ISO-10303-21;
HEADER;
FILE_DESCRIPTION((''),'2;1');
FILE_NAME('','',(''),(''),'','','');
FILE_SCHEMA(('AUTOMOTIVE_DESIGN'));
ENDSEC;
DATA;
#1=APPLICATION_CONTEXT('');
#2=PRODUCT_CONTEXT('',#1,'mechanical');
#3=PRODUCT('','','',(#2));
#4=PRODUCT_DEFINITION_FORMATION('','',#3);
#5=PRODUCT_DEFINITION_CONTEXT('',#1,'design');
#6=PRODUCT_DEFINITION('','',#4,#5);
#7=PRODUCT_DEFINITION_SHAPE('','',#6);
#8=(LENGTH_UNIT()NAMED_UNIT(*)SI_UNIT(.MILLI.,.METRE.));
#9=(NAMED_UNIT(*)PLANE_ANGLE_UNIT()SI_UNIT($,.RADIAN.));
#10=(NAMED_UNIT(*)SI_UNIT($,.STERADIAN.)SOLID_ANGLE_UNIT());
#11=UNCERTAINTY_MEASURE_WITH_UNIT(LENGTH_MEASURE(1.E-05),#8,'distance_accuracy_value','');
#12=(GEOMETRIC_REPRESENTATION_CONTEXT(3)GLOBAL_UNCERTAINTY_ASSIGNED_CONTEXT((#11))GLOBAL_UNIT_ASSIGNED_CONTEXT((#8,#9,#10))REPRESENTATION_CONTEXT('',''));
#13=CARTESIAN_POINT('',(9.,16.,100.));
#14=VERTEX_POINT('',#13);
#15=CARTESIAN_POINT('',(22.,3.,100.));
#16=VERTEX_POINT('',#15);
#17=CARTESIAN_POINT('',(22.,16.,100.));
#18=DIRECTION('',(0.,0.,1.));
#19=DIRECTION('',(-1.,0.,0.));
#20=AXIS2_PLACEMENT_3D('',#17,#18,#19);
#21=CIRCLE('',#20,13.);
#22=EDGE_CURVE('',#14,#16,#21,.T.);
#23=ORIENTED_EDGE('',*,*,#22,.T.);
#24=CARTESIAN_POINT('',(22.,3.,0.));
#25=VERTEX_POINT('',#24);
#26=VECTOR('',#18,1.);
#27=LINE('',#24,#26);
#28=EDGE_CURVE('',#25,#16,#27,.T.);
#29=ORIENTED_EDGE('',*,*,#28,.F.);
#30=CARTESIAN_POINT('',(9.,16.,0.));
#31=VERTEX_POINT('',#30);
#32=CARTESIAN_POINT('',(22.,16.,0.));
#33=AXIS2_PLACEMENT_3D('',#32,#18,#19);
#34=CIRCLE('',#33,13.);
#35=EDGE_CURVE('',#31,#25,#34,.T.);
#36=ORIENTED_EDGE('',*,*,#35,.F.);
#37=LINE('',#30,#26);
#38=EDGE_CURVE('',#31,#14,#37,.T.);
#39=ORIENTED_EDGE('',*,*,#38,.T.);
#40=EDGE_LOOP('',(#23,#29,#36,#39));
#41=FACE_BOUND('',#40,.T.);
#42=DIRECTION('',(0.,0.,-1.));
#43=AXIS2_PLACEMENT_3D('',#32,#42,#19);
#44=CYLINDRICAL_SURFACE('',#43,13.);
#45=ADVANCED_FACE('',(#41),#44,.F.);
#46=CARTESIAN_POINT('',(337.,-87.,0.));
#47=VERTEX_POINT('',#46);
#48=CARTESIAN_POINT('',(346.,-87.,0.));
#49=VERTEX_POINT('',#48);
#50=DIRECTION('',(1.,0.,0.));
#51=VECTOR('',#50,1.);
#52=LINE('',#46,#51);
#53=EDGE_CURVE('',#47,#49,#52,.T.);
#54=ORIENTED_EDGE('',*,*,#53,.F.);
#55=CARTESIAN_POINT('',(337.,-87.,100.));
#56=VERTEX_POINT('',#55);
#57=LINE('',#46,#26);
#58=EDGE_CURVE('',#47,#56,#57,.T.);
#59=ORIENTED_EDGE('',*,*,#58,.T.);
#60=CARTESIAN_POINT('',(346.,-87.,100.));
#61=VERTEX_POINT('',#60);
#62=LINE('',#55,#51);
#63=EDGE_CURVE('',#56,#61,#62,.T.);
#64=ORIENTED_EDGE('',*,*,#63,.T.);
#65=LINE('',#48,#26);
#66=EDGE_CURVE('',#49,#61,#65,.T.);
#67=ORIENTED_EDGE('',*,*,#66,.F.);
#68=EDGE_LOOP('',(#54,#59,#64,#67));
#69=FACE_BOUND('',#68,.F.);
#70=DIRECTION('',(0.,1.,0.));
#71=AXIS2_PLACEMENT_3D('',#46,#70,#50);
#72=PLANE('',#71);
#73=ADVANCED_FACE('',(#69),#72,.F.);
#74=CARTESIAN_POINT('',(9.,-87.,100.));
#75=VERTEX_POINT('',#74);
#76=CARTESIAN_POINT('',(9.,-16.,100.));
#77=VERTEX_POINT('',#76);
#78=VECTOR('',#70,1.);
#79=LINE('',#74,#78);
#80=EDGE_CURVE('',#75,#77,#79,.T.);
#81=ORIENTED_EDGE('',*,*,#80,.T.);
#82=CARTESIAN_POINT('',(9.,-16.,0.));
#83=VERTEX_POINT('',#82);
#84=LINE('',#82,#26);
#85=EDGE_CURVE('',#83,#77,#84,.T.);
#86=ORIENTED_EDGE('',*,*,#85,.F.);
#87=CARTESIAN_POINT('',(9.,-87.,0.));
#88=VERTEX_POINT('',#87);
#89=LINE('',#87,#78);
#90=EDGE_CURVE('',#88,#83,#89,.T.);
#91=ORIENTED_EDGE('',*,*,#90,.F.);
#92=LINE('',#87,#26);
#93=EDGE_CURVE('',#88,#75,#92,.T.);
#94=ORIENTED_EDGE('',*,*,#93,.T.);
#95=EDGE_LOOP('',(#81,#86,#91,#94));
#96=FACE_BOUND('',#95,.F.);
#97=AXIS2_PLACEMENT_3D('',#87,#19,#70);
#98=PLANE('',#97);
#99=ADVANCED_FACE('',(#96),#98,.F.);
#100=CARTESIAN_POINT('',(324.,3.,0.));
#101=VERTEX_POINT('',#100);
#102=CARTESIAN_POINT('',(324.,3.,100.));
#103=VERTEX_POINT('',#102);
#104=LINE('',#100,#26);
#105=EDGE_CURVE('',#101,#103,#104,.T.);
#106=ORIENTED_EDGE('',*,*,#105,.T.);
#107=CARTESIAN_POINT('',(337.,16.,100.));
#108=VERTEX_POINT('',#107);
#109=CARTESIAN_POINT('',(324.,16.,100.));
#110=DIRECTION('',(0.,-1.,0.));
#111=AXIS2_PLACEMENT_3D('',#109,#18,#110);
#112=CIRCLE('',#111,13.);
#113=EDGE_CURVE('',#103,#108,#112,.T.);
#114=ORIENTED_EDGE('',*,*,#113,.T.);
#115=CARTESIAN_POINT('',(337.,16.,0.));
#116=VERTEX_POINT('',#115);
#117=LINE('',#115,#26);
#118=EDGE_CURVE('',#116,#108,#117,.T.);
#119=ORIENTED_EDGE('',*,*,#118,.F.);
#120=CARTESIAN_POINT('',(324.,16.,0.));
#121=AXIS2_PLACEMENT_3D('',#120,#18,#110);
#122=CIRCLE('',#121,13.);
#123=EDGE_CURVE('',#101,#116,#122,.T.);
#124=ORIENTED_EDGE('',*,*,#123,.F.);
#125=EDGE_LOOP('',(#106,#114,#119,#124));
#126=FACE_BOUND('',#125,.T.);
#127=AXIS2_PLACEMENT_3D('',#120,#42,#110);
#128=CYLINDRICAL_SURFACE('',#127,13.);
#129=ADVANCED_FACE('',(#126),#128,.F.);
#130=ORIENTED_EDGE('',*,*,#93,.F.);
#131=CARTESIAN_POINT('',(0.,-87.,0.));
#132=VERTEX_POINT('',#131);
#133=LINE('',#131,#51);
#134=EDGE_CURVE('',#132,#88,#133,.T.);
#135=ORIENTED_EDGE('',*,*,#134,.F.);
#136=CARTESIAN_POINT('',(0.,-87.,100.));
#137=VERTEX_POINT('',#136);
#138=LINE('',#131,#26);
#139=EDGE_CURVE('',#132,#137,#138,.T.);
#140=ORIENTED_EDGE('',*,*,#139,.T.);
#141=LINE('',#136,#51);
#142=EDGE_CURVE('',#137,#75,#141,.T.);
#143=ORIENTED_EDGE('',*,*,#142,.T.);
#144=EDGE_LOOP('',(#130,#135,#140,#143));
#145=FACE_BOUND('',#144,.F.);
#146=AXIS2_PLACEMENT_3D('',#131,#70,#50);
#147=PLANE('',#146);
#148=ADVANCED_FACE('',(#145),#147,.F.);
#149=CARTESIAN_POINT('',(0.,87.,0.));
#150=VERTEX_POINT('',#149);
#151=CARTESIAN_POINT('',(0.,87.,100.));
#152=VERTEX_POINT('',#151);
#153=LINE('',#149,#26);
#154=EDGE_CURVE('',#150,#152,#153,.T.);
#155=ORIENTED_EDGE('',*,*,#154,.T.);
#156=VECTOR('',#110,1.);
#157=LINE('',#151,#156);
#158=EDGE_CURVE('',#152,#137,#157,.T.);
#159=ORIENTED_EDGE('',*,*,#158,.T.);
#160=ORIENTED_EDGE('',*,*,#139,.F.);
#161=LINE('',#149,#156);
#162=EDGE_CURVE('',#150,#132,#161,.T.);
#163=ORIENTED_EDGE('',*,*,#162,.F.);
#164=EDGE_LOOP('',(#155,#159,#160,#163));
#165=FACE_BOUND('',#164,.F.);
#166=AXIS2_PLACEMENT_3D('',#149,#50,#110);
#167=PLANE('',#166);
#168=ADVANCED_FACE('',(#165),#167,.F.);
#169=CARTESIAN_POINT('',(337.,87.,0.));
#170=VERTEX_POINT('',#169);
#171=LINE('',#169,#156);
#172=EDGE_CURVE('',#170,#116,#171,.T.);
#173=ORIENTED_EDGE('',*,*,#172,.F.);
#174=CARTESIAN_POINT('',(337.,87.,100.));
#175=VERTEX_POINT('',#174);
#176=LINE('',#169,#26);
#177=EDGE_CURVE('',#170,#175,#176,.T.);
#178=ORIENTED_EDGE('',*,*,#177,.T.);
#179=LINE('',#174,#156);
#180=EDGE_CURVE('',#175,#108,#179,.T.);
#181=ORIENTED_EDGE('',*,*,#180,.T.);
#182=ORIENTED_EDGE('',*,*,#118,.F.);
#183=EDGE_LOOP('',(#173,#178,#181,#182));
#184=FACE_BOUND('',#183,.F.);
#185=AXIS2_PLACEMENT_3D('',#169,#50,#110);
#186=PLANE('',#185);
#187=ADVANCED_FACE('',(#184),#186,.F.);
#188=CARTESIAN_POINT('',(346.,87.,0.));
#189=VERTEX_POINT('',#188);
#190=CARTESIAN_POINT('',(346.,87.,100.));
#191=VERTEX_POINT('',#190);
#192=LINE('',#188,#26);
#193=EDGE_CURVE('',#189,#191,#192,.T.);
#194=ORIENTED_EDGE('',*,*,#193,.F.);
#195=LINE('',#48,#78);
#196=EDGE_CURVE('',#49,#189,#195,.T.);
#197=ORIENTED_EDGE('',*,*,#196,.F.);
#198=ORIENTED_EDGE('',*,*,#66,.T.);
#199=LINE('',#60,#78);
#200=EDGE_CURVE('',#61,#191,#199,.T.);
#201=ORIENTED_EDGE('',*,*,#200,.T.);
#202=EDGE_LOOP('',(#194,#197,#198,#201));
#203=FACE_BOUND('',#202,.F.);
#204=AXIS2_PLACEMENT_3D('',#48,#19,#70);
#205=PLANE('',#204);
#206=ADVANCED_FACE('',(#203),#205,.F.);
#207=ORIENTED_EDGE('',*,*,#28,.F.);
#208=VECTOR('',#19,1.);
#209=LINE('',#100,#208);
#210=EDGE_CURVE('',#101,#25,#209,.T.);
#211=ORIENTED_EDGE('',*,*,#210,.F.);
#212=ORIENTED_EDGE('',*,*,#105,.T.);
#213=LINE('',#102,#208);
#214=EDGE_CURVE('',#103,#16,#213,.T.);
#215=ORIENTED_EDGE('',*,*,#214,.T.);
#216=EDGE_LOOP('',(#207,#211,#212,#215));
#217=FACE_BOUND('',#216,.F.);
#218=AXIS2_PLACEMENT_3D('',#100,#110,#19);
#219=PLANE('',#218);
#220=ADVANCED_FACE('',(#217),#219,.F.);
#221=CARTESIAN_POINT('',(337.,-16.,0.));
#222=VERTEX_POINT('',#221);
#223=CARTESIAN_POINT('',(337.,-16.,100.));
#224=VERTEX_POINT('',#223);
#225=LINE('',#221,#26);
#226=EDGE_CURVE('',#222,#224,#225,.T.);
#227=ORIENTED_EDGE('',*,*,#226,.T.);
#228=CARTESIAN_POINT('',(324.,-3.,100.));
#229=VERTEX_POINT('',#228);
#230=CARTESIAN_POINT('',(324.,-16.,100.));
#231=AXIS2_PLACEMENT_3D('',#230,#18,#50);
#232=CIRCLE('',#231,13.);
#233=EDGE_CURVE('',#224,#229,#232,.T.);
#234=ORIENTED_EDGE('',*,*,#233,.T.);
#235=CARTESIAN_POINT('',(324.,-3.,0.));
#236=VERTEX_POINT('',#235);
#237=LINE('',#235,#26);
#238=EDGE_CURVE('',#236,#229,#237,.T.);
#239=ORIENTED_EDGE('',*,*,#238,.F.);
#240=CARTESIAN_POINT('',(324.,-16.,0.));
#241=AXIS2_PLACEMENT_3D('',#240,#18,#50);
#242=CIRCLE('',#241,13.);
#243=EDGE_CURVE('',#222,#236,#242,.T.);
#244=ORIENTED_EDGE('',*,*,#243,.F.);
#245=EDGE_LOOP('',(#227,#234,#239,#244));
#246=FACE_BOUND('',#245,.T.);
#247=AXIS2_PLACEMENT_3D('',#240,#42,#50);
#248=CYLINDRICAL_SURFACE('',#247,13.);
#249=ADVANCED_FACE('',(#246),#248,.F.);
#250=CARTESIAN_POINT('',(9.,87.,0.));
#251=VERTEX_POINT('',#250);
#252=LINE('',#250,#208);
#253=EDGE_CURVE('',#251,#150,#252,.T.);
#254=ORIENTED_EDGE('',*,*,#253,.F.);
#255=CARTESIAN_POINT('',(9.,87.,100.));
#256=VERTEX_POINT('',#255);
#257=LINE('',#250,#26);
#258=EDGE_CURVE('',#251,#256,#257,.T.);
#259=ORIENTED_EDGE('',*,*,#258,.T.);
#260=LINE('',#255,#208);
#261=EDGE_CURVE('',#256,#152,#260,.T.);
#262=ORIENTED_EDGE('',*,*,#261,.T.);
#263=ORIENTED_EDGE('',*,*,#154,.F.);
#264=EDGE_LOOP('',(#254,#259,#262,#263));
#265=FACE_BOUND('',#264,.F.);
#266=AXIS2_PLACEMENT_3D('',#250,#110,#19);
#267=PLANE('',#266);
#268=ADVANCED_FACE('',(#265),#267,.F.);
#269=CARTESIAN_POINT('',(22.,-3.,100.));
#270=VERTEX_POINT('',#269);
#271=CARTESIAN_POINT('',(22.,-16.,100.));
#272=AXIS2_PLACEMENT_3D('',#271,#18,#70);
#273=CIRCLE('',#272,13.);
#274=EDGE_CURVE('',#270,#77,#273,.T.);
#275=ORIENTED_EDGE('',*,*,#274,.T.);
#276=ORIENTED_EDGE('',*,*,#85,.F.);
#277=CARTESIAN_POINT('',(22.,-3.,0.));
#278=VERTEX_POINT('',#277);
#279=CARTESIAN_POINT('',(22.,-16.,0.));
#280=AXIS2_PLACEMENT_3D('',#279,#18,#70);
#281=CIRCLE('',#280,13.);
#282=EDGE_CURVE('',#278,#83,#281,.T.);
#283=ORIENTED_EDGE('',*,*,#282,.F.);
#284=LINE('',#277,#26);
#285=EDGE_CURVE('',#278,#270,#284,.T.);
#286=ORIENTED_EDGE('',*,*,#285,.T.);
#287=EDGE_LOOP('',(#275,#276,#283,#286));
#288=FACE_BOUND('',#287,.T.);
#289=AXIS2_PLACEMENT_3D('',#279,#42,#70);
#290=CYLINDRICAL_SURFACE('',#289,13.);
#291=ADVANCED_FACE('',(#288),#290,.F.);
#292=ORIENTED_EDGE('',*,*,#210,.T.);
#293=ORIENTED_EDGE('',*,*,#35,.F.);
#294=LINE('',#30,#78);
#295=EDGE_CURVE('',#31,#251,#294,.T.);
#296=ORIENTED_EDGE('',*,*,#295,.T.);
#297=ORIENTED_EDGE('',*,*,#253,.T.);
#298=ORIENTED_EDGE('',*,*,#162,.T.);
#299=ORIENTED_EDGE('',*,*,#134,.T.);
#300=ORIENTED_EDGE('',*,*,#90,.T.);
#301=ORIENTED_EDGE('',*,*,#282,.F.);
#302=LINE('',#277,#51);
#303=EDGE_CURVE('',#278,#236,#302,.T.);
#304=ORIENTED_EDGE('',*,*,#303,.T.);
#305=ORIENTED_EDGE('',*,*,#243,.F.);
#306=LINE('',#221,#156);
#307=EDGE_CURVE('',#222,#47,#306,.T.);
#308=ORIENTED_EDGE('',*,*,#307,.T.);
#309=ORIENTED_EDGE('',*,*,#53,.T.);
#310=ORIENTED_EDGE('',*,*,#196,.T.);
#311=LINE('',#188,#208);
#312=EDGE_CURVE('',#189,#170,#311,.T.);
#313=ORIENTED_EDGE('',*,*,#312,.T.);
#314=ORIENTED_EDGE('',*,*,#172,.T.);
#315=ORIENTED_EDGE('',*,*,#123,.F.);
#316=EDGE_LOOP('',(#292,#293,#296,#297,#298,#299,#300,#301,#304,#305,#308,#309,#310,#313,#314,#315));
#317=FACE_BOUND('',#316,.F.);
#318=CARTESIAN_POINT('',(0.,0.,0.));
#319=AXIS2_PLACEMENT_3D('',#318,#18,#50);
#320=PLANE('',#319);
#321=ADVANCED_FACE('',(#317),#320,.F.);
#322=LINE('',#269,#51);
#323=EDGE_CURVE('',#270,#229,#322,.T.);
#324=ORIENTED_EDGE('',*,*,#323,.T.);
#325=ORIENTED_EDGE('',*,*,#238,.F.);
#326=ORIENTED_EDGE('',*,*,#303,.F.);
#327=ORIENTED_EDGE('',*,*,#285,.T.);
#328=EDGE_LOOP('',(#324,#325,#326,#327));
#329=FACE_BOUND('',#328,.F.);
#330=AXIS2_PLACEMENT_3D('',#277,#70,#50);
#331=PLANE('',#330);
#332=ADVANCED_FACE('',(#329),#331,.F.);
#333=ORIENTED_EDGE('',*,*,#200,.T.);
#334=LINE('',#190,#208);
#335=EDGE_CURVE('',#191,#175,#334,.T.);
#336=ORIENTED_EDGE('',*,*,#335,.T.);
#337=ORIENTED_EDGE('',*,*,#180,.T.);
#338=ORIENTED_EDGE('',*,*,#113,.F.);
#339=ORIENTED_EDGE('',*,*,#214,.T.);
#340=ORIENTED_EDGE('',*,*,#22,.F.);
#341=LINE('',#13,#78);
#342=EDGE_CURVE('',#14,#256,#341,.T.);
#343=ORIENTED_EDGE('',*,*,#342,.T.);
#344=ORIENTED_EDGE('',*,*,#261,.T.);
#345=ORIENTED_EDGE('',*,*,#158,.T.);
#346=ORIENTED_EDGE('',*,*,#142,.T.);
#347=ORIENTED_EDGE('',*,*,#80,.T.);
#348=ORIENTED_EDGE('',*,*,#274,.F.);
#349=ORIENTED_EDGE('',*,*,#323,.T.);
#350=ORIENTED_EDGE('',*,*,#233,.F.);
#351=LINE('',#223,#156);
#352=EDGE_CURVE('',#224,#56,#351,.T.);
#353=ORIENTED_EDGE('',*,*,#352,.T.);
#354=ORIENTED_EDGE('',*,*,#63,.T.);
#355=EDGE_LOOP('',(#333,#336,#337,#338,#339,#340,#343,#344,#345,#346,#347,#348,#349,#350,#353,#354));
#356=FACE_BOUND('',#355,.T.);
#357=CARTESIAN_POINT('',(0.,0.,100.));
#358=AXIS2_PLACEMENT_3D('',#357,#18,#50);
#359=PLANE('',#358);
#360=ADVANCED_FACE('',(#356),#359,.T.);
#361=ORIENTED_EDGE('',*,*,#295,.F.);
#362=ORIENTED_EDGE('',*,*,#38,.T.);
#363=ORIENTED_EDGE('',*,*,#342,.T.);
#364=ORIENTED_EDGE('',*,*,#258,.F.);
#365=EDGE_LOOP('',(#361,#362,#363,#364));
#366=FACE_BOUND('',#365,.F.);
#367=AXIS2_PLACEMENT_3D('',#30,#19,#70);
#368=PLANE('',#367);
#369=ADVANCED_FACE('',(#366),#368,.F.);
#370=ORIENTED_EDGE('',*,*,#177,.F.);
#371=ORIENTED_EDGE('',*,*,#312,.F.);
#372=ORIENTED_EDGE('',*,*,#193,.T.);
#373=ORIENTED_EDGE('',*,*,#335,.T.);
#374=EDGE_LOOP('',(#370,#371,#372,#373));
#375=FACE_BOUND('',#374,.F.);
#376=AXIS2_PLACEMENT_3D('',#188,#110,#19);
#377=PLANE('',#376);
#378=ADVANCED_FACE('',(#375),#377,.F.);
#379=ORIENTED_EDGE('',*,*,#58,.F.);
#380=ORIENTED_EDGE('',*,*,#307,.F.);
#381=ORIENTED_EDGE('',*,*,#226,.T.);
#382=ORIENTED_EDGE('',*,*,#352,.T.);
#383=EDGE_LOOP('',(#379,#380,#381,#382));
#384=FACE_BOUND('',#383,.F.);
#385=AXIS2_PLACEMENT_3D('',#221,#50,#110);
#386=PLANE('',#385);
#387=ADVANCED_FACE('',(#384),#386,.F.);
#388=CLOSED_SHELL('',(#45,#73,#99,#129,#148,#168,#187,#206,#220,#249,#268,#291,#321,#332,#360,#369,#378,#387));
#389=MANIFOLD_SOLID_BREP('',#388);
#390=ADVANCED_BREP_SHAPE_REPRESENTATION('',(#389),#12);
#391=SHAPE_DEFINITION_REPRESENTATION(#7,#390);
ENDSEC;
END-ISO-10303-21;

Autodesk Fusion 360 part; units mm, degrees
sketch "スケッチ1" plane through (0, 0, 0) normal (0, 0, 1) x (1, 0, 0)
  line L0 (0, 87) -> (0, -87)
  line L1 (346, -87) -> (346, 87)
  line L2 (337, -16) -> (337, -87)
  line L3 (9, -87) -> (9, -16)
  line L4 (0, -87) -> (9, -87)
  line L5 (337, -87) -> (346, -87)
  line L6 (9, 16) -> (9, 87)
  line L7 (337, 87) -> (337, 16)
  line L8 (324, 3) -> (22, 3)
  line L9 (22, -3) -> (324, -3)
  line L10 (9, 87) -> (0, 87)
  line L11 (346, 87) -> (337, 87)
  arc A0 (22, -3) -> (9, -16) centre (22, -16) ccw
  arc A1 (9, 16) -> (22, 3) centre (22, 16) ccw
  arc A2 (324, 3) -> (337, 16) centre (324, 16) ccw
  arc A3 (337, -16) -> (324, -3) centre (324, -16) ccw
extrude "押し出し1" add sketch "スケッチ1" along normal blind 100
